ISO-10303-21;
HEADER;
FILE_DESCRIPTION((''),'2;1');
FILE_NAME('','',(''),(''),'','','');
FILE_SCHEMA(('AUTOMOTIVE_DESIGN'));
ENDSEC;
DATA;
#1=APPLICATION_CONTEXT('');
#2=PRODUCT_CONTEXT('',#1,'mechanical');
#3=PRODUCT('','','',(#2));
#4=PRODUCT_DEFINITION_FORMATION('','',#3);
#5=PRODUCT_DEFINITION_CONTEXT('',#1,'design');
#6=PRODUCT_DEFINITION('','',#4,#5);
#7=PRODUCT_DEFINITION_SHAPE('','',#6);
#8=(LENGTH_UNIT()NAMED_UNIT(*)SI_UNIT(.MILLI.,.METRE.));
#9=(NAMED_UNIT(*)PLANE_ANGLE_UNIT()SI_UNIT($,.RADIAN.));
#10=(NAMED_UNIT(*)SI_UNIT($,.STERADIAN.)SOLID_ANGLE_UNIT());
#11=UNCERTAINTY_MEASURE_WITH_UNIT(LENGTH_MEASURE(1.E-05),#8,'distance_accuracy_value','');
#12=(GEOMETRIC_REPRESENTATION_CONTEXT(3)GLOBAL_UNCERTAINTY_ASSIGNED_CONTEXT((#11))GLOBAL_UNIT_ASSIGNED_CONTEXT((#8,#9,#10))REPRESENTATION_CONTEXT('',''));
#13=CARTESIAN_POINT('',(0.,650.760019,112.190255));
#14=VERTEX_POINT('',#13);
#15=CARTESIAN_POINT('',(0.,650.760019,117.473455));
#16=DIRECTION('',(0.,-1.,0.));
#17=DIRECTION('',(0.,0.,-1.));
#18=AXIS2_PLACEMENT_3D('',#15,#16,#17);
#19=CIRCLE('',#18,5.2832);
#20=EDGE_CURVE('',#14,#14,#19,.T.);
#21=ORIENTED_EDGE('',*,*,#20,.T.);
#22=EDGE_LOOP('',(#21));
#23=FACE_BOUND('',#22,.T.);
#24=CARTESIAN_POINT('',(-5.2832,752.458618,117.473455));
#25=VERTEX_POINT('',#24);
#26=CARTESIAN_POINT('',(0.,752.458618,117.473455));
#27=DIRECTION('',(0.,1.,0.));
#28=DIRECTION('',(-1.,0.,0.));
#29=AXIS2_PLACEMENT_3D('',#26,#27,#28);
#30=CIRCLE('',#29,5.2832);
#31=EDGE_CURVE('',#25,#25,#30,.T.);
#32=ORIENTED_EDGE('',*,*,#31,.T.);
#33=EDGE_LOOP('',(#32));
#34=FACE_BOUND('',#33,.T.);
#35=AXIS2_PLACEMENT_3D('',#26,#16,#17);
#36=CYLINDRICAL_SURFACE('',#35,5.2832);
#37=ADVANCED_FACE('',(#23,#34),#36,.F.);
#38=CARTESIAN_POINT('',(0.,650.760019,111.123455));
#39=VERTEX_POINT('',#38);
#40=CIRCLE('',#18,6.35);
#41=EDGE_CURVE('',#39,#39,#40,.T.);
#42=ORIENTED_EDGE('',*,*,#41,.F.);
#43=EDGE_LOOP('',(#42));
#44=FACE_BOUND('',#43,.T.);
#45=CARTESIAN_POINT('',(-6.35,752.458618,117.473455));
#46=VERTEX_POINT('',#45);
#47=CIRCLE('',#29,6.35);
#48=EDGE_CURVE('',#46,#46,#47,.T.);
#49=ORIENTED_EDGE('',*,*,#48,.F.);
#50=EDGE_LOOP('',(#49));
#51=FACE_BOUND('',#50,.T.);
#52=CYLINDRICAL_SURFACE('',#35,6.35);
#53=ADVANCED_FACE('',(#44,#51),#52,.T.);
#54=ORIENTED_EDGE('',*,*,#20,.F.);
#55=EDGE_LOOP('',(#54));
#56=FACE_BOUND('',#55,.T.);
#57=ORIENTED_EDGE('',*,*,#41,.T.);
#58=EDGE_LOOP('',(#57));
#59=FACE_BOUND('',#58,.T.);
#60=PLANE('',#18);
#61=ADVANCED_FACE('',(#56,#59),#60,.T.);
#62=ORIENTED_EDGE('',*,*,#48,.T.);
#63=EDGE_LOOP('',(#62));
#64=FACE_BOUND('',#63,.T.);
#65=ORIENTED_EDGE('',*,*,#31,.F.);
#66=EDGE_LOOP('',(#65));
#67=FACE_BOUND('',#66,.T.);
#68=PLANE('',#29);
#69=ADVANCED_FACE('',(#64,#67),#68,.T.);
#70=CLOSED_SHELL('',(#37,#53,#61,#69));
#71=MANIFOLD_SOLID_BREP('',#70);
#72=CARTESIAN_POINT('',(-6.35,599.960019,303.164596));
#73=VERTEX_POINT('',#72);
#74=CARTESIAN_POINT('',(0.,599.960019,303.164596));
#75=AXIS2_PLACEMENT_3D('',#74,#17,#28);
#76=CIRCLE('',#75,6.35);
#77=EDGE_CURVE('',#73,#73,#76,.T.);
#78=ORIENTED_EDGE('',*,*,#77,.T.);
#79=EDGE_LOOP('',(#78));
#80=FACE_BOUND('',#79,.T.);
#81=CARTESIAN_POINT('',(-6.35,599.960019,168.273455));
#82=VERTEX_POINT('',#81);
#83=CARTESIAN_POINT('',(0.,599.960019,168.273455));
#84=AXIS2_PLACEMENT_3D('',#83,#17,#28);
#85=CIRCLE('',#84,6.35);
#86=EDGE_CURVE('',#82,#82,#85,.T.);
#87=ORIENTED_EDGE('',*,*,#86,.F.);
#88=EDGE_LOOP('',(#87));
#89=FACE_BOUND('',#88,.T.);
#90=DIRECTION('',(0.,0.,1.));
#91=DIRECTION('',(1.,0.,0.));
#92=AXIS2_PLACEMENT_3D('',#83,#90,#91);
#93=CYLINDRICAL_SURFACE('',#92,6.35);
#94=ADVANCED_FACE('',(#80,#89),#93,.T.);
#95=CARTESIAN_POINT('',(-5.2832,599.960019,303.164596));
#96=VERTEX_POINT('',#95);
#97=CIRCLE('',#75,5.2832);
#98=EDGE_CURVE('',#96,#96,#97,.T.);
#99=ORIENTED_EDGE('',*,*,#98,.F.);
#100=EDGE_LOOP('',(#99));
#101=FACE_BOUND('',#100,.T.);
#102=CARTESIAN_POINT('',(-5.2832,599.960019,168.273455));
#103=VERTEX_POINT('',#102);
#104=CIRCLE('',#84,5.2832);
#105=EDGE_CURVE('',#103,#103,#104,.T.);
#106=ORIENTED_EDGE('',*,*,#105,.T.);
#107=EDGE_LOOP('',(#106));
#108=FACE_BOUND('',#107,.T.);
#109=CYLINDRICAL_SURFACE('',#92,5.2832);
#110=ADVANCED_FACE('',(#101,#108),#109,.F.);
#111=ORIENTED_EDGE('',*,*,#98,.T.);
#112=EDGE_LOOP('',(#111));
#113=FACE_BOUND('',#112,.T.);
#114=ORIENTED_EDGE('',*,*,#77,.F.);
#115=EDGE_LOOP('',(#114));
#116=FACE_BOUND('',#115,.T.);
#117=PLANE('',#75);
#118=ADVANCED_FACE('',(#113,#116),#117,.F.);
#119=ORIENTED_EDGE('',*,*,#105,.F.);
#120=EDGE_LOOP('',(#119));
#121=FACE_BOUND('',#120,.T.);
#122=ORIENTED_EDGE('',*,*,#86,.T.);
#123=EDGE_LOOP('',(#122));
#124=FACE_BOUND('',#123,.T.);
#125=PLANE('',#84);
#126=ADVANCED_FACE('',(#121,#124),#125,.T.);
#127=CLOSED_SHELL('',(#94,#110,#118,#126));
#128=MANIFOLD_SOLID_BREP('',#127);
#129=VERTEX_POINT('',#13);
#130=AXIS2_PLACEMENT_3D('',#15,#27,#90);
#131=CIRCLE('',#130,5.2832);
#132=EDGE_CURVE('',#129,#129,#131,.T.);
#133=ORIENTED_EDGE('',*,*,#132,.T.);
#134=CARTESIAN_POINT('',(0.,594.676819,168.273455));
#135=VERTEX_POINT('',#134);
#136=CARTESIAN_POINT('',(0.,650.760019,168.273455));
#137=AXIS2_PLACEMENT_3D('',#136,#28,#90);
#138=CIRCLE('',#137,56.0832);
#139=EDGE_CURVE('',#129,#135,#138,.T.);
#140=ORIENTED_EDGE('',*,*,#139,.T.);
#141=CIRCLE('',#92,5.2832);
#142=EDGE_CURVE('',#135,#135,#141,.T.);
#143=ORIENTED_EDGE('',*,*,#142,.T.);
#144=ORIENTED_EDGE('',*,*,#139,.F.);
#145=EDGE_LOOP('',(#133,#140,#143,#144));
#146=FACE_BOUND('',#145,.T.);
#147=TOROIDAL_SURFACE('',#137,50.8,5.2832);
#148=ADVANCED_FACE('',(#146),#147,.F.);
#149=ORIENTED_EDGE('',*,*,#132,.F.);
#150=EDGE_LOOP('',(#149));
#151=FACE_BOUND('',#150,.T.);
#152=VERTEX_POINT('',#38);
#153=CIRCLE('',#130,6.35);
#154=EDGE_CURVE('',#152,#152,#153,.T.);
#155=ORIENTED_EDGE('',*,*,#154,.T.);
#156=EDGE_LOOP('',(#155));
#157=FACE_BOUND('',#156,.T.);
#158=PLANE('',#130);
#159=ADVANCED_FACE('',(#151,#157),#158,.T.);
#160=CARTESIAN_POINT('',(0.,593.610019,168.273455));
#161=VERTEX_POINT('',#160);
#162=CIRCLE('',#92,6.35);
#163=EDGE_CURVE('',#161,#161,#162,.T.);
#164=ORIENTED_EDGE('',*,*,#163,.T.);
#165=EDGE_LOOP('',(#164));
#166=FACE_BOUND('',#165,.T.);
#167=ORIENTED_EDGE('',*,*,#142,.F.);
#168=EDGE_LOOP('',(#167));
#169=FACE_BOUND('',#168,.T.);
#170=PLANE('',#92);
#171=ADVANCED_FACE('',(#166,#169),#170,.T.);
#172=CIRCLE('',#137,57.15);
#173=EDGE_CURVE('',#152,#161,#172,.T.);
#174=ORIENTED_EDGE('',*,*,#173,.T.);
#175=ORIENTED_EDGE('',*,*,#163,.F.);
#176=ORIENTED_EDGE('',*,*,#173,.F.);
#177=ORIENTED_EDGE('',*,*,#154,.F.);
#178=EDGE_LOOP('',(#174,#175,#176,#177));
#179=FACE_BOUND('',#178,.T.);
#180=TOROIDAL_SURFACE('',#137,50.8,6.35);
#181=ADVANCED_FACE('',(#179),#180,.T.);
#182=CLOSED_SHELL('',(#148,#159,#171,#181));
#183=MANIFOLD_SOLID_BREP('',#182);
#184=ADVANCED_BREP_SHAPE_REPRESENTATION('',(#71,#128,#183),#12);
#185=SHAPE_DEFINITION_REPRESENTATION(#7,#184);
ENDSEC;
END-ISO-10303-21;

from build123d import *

# Parameters (mm, degrees)
SKETCH11_R                = 6.35
SKETCH11_R_2              = 5.2832
PIPE_0_5_SCH_40_1_DEPTH   = 134.891141117
SKETCH11_ON_SEGMENT_2_R   = 6.35
SKETCH11_ON_SEGMENT_2_R_2 = 5.2832
PIPE_0_5_SCH_40_1_2_ANGLE = 90
SKETCH11_ON_SEGMENT_3_R   = 6.35
SKETCH11_ON_SEGMENT_3_R_2 = 5.2832
PIPE_0_5_SCH_40_1_3_DEPTH = 101.698598989


with BuildPart() as part:
    # Sketch11 → Pipe 0.5 SCH 40(1) (new body)
    with BuildSketch(Plane(origin=(0, 599.960019272, 303.164595711), x_dir=(0, 1, 0), z_dir=(0, 0, -1))):
        Circle(SKETCH11_R)
        Circle(SKETCH11_R_2, mode=Mode.SUBTRACT)
    extrude(amount=PIPE_0_5_SCH_40_1_DEPTH)


with BuildPart() as body_2:
    # Sketch11 on segment 2 (carried to the start of arc 2) → Pipe 0.5 SCH 40_1 2 (revolve)
    with BuildSketch(Plane(origin=(0, 599.960019272, 168.273454594), x_dir=(0, 1, 0), z_dir=(0, 0, -1))):
        Circle(SKETCH11_ON_SEGMENT_2_R)
        Circle(SKETCH11_ON_SEGMENT_2_R_2, mode=Mode.SUBTRACT)
    revolve(axis=Axis((0, 650.760019272, 168.273454594), (1, 0, 0)), revolution_arc=PIPE_0_5_SCH_40_1_2_ANGLE)


with BuildPart() as body_3:
    # Sketch11 on segment 3 (carried to segment 3) → Pipe 0.5 SCH 40_1 3 (new body)
    with BuildSketch(Plane(origin=(0, 650.760019272, 117.473454594), x_dir=(0, 0, 1), z_dir=(0, 1, 0))):
        Circle(SKETCH11_ON_SEGMENT_3_R)
        Circle(SKETCH11_ON_SEGMENT_3_R_2, mode=Mode.SUBTRACT)
    extrude(amount=PIPE_0_5_SCH_40_1_3_DEPTH)


solid = Compound([part.part, body_2.part, body_3.part])
